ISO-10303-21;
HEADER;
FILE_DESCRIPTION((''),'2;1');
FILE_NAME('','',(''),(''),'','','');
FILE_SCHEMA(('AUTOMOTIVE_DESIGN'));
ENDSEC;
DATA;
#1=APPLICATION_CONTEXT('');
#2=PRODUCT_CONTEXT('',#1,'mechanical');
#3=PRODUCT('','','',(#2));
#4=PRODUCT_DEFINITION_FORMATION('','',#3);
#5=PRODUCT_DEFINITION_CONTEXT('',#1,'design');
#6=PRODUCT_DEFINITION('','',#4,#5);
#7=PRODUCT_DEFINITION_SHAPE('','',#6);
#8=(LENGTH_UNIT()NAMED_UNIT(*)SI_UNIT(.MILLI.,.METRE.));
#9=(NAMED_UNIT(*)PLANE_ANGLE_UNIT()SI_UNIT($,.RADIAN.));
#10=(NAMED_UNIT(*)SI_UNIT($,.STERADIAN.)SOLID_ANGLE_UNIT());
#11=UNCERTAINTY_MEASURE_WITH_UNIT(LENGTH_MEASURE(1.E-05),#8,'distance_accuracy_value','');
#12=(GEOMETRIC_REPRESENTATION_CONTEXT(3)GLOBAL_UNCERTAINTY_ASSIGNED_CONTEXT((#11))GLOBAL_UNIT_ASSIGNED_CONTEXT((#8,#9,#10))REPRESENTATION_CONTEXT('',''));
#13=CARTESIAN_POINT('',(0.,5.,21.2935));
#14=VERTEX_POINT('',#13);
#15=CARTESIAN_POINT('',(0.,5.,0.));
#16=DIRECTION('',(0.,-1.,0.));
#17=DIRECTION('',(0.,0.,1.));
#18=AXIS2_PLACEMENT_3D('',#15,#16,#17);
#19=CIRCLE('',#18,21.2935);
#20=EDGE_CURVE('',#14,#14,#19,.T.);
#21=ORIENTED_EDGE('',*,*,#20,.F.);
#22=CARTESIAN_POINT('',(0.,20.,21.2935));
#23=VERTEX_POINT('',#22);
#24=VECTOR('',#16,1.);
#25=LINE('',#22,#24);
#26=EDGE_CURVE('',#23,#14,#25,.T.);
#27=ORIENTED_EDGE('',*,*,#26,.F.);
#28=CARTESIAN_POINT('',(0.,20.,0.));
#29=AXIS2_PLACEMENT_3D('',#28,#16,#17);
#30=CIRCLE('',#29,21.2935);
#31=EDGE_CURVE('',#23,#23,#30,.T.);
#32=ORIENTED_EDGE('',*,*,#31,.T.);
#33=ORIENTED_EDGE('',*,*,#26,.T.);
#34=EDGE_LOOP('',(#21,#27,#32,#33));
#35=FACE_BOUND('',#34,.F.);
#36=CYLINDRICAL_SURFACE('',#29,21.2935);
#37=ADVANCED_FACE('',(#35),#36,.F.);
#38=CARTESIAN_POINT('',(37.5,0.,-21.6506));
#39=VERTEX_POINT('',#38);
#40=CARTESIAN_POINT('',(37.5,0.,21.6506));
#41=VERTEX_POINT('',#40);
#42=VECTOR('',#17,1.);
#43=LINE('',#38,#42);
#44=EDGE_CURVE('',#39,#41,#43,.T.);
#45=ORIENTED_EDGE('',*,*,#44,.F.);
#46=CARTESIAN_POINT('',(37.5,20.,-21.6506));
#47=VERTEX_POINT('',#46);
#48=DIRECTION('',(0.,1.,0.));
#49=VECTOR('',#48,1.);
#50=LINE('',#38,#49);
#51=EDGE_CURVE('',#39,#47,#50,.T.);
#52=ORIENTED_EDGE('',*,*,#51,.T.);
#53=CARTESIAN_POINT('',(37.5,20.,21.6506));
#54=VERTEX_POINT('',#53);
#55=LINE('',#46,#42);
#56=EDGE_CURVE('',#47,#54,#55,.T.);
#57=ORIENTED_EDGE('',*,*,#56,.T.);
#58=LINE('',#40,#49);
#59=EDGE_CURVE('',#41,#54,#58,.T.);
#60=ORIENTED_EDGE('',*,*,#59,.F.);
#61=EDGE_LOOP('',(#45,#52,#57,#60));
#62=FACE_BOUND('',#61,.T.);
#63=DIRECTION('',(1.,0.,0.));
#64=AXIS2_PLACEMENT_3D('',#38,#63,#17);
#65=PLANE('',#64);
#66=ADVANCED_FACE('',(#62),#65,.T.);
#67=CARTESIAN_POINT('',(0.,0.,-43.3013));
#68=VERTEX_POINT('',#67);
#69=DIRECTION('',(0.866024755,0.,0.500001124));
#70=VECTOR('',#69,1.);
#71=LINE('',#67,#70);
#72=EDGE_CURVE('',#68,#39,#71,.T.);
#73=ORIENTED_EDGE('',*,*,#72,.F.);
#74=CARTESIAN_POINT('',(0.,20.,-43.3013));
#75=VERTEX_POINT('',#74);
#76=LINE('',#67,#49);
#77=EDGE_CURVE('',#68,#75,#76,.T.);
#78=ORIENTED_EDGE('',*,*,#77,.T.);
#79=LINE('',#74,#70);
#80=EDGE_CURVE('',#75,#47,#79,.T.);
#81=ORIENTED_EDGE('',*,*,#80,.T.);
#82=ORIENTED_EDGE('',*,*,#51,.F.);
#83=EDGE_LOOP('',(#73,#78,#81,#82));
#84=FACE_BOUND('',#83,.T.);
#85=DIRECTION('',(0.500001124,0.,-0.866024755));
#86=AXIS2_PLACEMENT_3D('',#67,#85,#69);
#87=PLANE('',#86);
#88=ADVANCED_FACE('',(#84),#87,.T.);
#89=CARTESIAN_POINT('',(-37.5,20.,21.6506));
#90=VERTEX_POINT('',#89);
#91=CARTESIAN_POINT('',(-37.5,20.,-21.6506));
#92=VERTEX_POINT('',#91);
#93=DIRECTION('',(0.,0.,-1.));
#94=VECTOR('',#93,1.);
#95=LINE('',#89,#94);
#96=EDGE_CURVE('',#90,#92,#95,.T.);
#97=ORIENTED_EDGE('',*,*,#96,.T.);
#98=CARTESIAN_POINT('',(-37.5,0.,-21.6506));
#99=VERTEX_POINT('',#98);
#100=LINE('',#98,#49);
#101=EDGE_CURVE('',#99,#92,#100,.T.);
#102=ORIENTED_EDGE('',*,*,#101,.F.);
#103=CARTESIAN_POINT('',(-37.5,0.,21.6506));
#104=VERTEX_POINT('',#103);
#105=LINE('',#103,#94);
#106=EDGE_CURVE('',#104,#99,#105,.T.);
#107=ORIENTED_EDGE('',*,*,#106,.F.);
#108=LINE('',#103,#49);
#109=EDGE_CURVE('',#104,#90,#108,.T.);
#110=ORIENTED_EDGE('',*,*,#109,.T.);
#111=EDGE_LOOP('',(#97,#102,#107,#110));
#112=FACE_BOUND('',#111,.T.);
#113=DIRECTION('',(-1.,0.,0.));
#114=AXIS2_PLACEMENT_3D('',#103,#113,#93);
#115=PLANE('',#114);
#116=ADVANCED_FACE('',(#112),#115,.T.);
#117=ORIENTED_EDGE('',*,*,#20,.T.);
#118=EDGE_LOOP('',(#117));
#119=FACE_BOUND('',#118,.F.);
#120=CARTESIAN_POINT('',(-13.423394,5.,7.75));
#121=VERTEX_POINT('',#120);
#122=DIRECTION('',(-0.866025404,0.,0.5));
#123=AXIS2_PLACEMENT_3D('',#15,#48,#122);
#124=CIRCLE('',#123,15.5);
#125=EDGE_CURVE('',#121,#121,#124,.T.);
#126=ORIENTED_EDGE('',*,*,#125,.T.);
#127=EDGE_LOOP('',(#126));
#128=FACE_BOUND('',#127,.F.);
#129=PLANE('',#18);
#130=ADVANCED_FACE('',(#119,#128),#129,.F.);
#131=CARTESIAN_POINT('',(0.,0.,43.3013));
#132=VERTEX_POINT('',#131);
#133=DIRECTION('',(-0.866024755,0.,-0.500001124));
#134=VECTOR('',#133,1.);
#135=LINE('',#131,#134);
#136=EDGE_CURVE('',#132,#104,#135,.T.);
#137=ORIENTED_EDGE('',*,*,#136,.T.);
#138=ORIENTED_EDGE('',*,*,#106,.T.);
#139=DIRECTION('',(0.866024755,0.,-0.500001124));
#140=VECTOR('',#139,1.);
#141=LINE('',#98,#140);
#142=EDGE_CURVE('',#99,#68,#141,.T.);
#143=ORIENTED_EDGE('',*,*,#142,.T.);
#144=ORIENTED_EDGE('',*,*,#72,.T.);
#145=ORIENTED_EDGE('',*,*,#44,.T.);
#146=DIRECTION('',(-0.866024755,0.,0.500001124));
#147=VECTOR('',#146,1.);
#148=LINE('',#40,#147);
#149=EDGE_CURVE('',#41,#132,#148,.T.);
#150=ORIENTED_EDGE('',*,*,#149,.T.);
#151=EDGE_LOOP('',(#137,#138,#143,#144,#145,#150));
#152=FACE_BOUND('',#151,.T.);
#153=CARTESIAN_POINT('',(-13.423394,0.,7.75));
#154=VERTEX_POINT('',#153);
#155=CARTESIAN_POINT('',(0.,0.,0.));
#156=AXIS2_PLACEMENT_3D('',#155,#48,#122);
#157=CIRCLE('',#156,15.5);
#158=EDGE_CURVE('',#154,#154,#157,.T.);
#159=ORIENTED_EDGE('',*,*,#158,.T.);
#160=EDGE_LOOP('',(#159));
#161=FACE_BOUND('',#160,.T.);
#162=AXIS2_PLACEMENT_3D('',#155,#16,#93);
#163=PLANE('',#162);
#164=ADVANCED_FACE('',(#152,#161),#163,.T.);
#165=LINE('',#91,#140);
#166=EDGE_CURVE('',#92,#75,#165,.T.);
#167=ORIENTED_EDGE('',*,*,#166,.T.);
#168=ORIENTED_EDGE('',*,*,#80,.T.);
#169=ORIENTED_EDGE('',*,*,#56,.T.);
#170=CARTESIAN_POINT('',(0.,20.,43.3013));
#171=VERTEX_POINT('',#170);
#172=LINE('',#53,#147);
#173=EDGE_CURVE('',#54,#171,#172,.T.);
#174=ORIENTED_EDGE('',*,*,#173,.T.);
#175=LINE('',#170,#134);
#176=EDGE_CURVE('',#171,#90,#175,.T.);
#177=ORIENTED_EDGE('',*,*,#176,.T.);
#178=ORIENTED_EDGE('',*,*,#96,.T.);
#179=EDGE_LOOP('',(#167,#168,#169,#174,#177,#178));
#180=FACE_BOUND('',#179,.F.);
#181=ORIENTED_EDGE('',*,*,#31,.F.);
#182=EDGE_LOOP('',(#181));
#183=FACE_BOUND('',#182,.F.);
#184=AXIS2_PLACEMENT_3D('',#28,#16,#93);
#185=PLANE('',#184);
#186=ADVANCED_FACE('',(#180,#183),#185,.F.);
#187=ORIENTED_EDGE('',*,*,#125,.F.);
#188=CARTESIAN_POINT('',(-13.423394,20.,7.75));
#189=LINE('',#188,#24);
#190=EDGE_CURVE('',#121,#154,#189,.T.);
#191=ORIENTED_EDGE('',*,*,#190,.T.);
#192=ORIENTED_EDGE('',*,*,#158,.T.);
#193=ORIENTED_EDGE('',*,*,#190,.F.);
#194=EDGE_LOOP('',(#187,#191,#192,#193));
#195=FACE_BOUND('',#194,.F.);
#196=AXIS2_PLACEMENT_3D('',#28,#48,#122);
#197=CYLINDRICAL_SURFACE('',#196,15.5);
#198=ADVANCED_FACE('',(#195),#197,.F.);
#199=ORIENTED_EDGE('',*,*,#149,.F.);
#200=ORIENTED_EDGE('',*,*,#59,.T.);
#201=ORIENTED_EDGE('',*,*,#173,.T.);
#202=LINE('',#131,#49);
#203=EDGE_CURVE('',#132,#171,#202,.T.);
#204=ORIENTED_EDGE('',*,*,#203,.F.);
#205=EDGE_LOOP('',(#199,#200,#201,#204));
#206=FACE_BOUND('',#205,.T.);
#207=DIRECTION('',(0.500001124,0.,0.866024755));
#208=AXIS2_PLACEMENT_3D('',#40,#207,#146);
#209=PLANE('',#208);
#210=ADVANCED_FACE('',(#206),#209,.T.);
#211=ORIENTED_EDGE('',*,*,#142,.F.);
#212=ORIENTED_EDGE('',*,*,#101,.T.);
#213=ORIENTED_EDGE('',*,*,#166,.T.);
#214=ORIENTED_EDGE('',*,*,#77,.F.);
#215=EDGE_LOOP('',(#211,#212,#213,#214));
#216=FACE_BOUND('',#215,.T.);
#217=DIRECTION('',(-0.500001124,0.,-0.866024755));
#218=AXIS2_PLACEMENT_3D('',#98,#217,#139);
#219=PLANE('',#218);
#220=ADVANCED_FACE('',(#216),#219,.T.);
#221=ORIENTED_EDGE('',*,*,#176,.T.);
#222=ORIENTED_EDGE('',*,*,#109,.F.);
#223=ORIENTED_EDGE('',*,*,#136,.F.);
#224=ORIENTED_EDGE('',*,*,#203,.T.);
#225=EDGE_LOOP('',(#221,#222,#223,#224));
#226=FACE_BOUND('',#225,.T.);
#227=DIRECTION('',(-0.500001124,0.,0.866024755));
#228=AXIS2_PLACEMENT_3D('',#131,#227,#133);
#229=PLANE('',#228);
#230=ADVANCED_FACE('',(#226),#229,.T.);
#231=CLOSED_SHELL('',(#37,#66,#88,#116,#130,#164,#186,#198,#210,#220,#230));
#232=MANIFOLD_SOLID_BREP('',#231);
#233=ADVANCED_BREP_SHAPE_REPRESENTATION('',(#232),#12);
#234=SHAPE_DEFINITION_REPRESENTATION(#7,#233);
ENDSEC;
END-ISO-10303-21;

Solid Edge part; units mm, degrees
sketch "Sketch1" plane through (0, 0, 0) normal (0, -1, 0) x (1, 0, 0)
  line L0 (37.5, 21.6506) -> (0, 43.3013)
  line L1 (0, 43.3013) -> (-37.5, 21.6506)
  line L2 (-37.5, 21.6506) -> (-37.5, -21.6506)
  line L3 (-37.5, -21.6506) -> (0, -43.3013)
  line L4 (0, -43.3013) -> (37.5, -21.6506)
  line L5 (37.5, -21.6506) -> (37.5, 21.6506)
  dimension "D1" = 37.5
  dimension "D2" = 43.3013
extrude "Protrusion1" add sketch "Sketch1" against normal blind 20
sketch "Sketch2" plane through (0, 20, 0) normal (0, 1, 0) x (-0.866, 0, 0.5)
  circle A0 centre (0, 0) radius 15.5
  dimension "D1" = 31
extrude "ExtrudedCutout_1" cut sketch "Sketch2" against normal blind 146.9275
hole "Hole_1" at (0, 20, 0) direction (0, -1, 0) diameter 42.587 depth 15 thread major 48 thread length 2
